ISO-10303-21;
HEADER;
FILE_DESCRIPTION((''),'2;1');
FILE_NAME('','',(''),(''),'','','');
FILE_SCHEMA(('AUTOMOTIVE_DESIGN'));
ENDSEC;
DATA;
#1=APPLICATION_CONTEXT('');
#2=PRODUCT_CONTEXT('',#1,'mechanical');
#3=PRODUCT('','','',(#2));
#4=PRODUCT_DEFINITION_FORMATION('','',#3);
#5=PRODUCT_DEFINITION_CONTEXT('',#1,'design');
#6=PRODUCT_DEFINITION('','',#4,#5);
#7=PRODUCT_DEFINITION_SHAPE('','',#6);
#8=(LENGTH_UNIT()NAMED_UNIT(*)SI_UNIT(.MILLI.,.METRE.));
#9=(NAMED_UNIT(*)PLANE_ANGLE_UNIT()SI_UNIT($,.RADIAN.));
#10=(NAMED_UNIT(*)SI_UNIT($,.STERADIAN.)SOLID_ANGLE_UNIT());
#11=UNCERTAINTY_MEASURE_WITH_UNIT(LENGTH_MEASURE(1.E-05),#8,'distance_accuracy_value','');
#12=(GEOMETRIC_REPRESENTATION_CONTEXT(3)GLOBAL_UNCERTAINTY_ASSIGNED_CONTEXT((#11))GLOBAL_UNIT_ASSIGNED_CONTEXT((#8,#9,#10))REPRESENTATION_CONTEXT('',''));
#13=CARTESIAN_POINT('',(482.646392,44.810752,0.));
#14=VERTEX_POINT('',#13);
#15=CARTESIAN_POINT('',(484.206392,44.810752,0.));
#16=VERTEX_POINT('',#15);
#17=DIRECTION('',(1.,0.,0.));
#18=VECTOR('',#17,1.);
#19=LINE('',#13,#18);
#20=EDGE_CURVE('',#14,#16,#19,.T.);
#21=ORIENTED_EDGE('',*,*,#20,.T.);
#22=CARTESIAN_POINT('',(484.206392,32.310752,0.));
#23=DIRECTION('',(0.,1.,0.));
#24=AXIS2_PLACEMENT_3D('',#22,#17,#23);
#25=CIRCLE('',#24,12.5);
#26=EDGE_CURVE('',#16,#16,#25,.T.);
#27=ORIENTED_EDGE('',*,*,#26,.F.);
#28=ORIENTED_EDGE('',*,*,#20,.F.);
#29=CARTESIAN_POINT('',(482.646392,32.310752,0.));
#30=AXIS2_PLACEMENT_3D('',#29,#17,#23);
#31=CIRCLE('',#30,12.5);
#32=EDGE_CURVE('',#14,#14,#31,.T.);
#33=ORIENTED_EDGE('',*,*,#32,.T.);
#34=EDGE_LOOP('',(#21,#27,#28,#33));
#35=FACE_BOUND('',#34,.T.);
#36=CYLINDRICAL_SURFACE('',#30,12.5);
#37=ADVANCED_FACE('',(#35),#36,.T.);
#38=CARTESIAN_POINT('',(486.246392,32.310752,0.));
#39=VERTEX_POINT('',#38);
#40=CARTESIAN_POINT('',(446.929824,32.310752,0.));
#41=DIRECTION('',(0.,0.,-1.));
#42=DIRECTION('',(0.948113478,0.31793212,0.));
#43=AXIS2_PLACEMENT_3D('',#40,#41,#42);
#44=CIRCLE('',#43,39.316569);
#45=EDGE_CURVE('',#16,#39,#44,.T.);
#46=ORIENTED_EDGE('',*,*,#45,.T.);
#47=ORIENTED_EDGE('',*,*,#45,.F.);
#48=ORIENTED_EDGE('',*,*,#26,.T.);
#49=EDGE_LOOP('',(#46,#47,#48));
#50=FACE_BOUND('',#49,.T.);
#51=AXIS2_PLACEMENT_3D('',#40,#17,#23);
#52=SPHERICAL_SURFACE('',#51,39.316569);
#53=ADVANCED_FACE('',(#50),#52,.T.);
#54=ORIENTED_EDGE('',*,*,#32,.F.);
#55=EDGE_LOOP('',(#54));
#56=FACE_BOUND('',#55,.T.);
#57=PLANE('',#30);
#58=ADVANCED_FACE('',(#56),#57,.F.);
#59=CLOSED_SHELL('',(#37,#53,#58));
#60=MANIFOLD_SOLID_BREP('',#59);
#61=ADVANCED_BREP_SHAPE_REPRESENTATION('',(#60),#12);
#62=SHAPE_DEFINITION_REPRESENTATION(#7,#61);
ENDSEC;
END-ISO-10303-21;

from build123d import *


with BuildPart() as part:
    # 草图1 → 旋转1 (revolve)
    with BuildSketch(Plane.XY):
        with BuildLine():
            Line((482.646392222, 32.31075154), (482.646392222, 44.81075154))
            Line((482.646392222, 44.81075154), (484.206392222, 44.81075154))
            ThreePointArc((484.206392222, 44.81075154), (485.733040841, 38.643436594), (486.246392222, 32.31075154))
            Line((486.246392222, 32.31075154), (482.646392222, 32.31075154))
        make_face()
    revolve(axis=Axis((480.617284644, 32.31075154, 0), (1, 0, 0)))


solid = part.part
